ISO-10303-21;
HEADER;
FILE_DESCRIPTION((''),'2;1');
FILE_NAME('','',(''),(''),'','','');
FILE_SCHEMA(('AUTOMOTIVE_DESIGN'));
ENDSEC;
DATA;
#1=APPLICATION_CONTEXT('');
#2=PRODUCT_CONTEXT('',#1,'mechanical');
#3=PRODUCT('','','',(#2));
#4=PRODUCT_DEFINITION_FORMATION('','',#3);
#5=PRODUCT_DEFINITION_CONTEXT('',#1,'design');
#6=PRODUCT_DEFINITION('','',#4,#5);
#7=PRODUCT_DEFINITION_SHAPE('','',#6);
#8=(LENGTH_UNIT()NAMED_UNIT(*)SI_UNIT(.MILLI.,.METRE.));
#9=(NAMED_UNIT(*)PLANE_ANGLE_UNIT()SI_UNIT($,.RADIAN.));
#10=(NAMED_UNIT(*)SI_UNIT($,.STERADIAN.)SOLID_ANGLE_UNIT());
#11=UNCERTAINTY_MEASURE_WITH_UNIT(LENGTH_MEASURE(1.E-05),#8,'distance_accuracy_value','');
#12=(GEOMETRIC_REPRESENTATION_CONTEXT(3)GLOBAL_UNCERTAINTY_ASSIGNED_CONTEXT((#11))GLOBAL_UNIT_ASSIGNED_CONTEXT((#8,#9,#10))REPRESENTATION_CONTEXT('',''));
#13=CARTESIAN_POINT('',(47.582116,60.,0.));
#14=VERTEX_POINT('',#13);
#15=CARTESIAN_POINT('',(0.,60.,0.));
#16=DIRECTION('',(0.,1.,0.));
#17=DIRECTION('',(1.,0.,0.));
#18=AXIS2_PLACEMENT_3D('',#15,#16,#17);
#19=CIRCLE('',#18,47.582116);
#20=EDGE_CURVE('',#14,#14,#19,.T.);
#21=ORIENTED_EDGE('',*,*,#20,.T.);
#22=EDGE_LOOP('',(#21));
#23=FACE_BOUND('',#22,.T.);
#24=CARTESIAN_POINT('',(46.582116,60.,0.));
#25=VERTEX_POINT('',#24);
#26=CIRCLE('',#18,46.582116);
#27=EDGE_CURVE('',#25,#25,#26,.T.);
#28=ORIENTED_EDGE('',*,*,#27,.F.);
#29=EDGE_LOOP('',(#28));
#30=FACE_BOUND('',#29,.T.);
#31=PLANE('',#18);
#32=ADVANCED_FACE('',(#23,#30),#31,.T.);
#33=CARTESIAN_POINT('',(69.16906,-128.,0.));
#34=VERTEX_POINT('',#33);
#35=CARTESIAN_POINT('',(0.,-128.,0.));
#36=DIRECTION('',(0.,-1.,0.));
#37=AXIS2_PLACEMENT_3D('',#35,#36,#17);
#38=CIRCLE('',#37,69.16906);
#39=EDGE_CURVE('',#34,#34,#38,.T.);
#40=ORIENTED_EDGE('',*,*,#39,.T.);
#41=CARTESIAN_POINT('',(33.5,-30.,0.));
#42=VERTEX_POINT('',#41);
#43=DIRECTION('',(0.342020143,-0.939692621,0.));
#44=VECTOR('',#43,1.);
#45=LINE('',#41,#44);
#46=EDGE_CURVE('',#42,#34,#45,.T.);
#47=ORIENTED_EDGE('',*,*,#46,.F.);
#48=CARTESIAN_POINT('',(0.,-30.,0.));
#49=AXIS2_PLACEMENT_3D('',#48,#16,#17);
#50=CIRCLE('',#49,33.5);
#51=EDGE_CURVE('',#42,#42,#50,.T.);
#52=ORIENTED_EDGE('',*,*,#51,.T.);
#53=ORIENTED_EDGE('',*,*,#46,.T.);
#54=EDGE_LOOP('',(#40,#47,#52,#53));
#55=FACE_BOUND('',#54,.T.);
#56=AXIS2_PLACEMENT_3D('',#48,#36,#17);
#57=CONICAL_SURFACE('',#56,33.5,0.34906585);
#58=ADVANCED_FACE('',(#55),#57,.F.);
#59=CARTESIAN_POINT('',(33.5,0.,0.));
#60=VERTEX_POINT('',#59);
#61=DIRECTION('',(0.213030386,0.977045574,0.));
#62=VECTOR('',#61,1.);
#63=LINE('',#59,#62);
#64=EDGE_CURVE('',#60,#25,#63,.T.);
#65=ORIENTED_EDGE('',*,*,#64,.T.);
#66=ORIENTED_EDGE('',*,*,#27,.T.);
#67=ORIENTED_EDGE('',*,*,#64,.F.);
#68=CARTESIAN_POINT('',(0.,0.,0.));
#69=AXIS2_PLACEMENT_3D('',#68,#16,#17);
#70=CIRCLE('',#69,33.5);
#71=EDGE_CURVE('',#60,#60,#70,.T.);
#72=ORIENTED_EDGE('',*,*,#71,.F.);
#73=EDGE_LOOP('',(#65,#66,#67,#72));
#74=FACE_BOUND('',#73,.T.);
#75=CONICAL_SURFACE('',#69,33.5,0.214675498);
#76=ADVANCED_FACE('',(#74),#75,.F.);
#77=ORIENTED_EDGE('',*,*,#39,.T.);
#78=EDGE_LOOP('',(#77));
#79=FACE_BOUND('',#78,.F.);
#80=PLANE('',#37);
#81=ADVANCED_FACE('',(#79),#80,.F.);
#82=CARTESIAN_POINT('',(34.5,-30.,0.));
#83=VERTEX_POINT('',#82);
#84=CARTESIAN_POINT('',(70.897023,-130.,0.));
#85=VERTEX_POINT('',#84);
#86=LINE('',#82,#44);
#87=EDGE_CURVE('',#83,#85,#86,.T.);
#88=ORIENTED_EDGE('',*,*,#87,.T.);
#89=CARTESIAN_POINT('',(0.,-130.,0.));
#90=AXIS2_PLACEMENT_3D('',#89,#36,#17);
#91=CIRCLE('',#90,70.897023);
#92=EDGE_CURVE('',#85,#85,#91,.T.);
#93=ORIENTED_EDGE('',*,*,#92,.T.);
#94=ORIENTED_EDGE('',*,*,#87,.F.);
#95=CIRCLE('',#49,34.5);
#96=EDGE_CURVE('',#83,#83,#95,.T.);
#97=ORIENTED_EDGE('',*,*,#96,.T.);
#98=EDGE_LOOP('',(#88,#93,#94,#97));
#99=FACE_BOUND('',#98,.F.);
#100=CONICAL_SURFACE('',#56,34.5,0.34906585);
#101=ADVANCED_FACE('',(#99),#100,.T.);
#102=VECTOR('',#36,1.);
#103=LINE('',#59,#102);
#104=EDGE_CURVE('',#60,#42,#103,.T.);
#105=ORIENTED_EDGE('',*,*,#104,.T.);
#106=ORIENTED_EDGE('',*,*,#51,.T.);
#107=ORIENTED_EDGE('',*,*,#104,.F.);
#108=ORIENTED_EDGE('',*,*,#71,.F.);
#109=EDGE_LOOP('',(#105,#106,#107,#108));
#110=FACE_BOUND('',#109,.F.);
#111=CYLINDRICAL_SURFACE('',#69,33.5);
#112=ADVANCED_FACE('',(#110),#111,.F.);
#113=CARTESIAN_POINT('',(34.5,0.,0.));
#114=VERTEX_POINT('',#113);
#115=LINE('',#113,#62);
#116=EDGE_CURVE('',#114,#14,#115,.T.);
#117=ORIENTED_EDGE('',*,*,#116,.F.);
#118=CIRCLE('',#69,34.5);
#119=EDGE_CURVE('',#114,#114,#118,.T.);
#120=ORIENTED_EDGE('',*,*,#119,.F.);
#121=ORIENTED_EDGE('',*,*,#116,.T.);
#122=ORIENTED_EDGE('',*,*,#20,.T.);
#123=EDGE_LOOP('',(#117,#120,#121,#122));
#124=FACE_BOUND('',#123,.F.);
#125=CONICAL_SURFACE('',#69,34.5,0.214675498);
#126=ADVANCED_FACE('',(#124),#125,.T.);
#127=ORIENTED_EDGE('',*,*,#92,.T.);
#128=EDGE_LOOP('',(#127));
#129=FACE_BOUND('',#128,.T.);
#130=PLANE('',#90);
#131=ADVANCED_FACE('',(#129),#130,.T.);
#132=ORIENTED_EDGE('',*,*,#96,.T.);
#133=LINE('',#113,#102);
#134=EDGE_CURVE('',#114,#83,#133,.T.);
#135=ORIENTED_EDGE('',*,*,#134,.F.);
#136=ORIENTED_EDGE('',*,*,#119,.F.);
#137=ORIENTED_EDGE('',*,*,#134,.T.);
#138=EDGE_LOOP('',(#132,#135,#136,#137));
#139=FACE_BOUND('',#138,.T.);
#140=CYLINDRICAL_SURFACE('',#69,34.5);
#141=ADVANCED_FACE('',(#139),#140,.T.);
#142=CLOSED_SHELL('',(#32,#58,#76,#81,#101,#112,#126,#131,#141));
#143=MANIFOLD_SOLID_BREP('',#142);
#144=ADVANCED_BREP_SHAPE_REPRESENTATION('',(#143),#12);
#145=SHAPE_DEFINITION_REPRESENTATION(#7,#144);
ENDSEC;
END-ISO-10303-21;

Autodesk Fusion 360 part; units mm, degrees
sketch "草图1" plane through (0, 0, 0) normal (0, 1, 0) x (1, 0, 0)
  circle A0 centre (0, 0) radius 46.5
  circle A1 centre (0, 0) radius 47.5
  circle A2 centre (0, 0) radius 33.5
  circle A3 centre (0, 0) radius 34.5
  circle A4 centre (0, 0) radius 45.5
  circle A5 centre (0, 0) radius 30
  circle A6 centre (0, 0) radius 29
  circle A7 centre (0, 0) radius 31
  dimension "d1" = 93
  dimension "d2" = 95
  dimension "d5" = 67
  dimension "d6" = 69
  dimension "d21" = 91
  dimension "d26" = 60
  dimension "d29" = 58
  dimension "d30" = 62
extrude "拉伸8" add sketch "草图1" along normal blind 60 draft 12.3 contours A3
extrude "拉伸9" cut sketch "草图1" along normal blind 60 draft 12.3 contours A2 | A5 | A6 | A7
extrude "拉伸11" add sketch "草图1" against normal blind 30 contours A3
sketch "草图5" plane through (0, -30, 0) normal (0, -1, 0) x (1, 0, 0)
  circle A0 centre (0, 0) radius 33.5
  circle A1 centre (0, 0) radius 34.5
extrude "拉伸13" add sketch "草图5" along normal blind 100 draft 20
extrude "拉伸14" cut sketch "草图5" along normal blind 100 draft 20 contours A0
sketch "草图6" plane through (0, -130, 0) normal (0, -1, 0) x (1, 0, 0)
  circle A0 centre (0, 0) radius 69.897
  circle A1 centre (0, 0) radius 70.897
extrude "拉伸15" add sketch "草图6" against normal blind 2 draft -20 contours A0
